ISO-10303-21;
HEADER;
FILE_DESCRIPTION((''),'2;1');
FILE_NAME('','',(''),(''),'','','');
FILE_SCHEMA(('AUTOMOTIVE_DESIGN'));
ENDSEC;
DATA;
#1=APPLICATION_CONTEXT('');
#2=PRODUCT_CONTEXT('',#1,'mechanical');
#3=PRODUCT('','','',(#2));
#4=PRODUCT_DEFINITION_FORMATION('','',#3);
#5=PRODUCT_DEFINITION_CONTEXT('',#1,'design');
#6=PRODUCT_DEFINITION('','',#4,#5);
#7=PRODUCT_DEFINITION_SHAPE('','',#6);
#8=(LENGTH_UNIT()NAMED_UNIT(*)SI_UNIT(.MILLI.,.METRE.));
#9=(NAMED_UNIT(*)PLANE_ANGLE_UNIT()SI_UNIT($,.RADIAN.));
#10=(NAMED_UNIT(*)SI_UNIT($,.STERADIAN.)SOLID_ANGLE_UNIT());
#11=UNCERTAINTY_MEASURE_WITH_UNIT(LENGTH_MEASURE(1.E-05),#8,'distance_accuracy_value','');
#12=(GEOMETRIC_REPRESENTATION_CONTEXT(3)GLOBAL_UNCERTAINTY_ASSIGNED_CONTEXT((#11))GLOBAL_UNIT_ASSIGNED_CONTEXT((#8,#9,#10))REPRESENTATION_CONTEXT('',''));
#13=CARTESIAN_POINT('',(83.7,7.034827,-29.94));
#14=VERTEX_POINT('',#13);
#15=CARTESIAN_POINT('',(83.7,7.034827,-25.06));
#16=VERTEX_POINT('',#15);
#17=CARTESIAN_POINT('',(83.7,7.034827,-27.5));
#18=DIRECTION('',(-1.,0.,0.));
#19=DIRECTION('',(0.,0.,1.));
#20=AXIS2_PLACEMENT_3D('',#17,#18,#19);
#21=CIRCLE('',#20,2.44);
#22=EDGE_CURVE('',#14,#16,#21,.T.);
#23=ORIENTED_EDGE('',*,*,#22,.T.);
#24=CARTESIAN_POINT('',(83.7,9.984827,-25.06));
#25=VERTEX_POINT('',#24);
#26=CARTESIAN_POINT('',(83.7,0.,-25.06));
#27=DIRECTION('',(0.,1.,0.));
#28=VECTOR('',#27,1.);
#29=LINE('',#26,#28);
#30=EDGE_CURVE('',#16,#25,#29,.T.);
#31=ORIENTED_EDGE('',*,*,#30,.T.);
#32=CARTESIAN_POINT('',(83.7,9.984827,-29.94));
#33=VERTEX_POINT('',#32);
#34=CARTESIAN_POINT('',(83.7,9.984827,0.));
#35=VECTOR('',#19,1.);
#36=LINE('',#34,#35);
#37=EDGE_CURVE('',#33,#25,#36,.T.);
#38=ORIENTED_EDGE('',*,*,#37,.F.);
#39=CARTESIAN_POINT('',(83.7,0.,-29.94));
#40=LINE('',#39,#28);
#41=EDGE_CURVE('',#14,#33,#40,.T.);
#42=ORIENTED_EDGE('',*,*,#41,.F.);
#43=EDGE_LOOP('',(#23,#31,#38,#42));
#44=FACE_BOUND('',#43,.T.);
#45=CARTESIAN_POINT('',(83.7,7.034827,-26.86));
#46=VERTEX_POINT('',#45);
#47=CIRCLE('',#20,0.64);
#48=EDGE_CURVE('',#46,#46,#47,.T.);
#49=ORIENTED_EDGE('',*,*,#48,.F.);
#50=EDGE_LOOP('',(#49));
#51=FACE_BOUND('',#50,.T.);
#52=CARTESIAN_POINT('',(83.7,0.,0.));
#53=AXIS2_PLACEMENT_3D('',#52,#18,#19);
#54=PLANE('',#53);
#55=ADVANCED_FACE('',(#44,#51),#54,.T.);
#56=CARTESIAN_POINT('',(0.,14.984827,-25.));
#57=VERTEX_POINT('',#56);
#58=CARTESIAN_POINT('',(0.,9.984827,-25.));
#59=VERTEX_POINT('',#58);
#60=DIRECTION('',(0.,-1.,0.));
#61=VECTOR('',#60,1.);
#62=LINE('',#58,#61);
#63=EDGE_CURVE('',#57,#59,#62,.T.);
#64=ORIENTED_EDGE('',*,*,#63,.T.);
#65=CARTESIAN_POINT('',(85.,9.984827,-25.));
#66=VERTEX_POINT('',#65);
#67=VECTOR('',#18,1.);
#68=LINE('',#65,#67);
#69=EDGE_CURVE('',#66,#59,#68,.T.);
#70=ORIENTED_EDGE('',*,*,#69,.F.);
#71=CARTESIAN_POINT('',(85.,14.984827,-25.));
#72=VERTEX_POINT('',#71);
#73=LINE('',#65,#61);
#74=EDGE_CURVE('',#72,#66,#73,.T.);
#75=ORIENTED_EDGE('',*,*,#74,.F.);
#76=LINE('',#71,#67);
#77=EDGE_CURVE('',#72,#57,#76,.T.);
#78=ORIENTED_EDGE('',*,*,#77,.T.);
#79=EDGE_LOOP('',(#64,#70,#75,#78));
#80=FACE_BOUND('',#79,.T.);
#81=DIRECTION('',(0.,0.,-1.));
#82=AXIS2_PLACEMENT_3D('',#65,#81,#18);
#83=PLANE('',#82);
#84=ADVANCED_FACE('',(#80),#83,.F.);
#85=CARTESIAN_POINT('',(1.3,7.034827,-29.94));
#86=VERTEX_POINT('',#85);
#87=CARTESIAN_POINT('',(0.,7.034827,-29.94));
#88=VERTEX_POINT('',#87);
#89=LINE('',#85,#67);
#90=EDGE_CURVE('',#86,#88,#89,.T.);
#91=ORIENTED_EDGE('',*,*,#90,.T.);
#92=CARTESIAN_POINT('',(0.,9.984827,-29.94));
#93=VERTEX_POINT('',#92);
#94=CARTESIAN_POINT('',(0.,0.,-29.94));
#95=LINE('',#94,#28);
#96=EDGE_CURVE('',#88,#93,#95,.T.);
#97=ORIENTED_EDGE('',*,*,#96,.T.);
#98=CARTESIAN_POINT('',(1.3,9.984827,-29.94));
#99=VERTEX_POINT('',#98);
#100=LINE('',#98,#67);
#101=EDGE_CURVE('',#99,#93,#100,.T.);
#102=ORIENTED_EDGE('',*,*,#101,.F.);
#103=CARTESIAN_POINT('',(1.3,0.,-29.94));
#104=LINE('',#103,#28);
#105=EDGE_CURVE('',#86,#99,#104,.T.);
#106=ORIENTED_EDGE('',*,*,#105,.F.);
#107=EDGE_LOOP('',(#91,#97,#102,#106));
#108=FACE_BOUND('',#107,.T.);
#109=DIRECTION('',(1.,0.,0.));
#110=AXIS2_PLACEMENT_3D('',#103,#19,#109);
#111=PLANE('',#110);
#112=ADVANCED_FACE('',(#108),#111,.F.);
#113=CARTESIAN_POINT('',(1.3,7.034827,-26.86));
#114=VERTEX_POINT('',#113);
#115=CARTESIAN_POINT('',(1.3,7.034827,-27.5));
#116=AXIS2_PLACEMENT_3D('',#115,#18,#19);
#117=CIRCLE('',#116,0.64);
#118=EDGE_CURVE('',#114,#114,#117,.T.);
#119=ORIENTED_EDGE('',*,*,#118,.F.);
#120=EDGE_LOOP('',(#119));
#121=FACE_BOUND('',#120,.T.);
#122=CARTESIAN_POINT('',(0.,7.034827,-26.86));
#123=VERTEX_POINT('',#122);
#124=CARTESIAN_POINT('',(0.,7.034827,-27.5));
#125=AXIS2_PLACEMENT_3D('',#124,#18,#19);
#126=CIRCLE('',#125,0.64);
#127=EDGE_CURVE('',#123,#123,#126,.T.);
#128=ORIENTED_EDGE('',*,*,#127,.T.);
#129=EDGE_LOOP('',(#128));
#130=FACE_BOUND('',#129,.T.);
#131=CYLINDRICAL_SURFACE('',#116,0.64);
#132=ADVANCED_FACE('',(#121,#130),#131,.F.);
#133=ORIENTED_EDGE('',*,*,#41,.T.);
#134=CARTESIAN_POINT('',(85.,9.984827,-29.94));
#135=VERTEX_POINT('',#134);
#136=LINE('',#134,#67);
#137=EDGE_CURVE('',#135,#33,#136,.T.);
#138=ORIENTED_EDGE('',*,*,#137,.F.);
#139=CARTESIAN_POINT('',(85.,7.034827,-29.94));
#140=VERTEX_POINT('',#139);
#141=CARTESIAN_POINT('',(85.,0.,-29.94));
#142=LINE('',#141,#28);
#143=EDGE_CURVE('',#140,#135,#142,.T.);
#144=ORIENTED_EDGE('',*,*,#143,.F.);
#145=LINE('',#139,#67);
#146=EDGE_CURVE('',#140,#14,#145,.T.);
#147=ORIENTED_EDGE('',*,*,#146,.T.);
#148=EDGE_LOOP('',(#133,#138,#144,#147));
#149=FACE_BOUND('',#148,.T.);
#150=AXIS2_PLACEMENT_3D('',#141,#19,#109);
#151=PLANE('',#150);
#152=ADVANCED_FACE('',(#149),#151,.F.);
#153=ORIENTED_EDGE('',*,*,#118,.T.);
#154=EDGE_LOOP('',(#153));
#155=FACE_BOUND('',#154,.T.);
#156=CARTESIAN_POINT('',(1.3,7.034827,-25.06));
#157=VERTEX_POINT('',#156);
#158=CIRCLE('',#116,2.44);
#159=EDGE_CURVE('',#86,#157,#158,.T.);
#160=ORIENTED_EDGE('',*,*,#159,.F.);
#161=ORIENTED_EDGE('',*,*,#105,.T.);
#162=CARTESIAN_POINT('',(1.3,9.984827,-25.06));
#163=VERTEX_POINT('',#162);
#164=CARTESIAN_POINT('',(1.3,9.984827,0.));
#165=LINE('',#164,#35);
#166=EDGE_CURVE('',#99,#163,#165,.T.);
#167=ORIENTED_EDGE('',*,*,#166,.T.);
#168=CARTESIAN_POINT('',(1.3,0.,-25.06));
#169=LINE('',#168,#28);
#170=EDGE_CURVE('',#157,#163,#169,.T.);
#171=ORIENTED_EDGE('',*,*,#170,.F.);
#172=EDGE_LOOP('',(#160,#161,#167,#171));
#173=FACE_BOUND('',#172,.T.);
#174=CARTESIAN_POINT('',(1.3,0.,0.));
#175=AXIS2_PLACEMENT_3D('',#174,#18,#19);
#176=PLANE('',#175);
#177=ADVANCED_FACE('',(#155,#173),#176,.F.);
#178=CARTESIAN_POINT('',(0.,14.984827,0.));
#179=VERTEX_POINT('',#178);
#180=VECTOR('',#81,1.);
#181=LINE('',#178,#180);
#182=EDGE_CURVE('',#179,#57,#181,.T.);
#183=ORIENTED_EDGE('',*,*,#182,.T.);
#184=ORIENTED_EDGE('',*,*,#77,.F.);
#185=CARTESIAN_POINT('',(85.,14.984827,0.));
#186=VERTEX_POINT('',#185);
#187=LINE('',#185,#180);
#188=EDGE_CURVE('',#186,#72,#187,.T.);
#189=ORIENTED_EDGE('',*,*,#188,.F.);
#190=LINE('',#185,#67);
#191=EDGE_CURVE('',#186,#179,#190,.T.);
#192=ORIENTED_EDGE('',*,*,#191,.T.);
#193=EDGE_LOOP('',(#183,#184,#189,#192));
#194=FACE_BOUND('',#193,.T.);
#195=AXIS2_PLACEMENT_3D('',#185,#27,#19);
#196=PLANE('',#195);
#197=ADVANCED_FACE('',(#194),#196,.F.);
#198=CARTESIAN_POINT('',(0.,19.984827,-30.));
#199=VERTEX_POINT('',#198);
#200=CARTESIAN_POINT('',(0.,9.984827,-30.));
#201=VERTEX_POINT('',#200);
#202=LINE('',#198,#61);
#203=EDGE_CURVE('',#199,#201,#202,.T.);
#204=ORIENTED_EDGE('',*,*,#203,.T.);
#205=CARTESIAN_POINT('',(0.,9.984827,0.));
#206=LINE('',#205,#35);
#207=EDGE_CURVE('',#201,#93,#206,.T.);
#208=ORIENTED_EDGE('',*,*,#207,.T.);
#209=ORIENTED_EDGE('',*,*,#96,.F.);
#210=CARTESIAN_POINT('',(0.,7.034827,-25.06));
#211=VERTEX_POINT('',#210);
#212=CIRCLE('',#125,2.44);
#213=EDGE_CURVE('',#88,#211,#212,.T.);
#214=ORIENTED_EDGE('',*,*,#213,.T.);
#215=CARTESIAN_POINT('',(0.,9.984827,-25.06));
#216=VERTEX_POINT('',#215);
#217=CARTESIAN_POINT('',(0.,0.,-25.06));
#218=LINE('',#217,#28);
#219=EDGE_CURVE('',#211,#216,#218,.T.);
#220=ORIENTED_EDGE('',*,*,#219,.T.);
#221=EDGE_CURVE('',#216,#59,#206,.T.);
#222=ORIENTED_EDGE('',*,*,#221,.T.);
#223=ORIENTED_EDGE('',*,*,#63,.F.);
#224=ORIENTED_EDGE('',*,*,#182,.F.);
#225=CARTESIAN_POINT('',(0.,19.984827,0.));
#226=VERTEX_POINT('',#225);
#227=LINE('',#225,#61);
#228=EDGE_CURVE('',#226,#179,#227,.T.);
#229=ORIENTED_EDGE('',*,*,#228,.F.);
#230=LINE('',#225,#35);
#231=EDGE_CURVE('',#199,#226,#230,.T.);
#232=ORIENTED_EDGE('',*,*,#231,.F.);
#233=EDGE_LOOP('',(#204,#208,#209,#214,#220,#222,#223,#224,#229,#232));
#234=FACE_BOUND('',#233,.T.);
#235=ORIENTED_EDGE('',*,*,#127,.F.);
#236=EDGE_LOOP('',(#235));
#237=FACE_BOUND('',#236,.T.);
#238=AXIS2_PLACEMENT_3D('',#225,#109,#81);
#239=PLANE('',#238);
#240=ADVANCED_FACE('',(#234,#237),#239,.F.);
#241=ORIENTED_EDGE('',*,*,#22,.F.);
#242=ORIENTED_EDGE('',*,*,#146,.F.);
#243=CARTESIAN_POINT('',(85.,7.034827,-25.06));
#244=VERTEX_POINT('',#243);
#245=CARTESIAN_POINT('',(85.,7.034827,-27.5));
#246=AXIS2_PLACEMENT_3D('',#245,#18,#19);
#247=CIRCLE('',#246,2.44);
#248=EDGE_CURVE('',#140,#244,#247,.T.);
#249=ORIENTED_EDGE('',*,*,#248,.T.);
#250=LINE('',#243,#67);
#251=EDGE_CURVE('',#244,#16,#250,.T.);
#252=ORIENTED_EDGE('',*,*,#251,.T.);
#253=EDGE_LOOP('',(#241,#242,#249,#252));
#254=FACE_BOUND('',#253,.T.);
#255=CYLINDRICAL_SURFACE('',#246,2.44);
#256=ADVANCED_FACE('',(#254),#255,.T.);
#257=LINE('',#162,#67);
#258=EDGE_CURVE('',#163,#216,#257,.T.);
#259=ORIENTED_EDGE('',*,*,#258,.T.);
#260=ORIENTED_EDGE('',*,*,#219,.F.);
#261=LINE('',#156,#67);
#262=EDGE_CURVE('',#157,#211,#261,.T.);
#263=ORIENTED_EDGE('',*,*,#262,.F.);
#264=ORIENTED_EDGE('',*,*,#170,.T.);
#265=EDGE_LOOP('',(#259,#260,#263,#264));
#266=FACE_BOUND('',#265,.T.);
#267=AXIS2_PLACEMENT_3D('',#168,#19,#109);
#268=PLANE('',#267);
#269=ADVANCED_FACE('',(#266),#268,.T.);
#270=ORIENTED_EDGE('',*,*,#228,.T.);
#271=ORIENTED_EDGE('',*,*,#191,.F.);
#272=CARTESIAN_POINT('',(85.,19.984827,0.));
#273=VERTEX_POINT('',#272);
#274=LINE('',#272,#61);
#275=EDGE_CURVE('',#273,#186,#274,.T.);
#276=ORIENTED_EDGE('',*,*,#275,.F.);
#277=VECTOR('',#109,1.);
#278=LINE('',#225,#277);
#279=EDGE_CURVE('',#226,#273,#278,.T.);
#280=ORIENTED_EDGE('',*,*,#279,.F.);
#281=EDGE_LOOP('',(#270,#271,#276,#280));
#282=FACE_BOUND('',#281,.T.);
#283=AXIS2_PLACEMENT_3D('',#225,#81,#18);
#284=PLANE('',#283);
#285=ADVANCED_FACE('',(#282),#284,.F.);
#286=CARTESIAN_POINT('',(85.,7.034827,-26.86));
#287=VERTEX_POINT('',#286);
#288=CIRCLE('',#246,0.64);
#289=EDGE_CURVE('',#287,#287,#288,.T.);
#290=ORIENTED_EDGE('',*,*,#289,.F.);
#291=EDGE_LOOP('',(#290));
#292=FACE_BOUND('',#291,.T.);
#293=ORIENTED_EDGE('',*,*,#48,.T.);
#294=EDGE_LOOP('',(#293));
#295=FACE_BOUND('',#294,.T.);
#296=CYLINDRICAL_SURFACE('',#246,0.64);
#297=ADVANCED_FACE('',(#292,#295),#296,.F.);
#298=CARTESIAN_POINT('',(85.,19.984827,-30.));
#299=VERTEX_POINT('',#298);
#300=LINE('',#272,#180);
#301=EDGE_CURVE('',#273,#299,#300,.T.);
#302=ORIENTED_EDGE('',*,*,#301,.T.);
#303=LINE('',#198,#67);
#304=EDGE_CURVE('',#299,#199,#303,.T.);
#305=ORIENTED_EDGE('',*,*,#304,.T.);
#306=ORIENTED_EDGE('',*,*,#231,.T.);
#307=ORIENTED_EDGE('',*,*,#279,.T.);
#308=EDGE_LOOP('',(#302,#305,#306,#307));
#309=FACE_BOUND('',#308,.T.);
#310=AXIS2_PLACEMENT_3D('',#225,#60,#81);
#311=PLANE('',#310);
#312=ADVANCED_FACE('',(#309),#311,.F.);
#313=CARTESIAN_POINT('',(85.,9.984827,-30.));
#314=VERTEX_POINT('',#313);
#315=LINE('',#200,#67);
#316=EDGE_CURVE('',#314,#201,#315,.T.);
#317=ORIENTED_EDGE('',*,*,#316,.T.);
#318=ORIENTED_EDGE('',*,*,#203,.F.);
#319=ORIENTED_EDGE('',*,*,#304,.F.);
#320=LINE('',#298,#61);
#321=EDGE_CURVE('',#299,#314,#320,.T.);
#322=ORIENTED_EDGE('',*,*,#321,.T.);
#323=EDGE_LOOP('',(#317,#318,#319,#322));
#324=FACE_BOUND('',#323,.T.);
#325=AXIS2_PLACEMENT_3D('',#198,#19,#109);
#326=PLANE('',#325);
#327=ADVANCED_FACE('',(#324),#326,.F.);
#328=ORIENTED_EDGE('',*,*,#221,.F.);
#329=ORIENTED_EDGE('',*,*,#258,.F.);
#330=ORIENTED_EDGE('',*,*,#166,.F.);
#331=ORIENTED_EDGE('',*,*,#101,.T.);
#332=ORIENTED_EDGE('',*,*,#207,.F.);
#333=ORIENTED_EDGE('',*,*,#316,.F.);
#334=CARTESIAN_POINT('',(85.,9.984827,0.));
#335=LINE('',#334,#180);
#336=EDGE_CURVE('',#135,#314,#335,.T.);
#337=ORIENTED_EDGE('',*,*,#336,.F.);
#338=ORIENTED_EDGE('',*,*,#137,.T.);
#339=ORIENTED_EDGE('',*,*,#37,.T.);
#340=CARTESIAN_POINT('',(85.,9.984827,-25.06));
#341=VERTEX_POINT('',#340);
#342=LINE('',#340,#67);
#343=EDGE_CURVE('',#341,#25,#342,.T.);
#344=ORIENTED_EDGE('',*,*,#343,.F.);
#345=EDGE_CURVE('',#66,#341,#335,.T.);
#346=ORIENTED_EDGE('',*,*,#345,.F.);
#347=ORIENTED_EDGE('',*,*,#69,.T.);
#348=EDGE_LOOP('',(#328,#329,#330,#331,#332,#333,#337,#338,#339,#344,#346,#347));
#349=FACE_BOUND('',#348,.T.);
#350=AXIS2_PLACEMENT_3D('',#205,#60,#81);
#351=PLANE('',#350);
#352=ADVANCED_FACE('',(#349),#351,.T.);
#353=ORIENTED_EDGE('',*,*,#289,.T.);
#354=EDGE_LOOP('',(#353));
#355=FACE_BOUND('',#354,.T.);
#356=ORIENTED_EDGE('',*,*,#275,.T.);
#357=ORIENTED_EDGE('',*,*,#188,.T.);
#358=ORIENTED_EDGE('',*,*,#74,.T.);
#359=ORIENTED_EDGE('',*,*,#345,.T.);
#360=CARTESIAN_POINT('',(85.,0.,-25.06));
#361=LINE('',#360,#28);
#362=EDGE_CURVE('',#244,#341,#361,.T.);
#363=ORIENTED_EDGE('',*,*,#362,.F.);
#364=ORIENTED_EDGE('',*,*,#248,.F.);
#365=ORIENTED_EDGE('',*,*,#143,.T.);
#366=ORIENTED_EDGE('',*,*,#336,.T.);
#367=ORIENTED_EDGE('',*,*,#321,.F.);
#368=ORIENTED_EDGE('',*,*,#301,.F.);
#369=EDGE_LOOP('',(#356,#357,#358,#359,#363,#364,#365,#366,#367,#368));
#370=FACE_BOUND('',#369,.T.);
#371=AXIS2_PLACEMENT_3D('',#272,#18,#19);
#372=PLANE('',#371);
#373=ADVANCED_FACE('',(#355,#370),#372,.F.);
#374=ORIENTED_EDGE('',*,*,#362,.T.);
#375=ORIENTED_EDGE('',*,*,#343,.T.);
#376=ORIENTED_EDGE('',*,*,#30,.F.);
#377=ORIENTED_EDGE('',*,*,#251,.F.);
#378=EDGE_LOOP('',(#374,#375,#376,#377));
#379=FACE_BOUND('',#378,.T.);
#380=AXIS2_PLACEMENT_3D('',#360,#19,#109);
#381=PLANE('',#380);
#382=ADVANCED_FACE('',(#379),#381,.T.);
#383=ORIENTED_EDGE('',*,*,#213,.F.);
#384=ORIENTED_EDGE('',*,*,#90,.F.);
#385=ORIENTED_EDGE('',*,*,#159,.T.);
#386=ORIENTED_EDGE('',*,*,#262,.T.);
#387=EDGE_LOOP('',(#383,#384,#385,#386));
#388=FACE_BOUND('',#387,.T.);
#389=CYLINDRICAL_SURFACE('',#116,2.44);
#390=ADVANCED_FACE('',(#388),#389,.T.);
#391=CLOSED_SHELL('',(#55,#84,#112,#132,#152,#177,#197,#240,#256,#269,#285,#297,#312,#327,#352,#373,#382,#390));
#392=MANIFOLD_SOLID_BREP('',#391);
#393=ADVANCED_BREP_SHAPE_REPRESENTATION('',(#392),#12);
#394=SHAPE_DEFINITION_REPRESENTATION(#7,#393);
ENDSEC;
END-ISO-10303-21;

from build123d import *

# Parameters (mm, degrees)
SKETCH1_W             = 85
SKETCH1_H             = 30
TOP_SURFACE_DEPTH     = 10
SKETCH6_W             = 25
SKETCH6_H             = 5
TOP_SURFACE_CUT_DEPTH = 91.691785736
SKETCH8_R             = 0.64
BOSS_EXTRUDE2_DEPTH   = 1.3
LPATTERN2_COUNT       = 2
LPATTERN2_PITCH       = 83.7


with BuildPart() as part:
    # Sketch1 → Top surface (new body)
    with BuildSketch(Plane(origin=(0, 0, 0), x_dir=(1, 0, 0), z_dir=(0, 1, 0))):
        with Locations((42.5, 15)):
            Rectangle(SKETCH1_W, SKETCH1_H)
    extrude(amount=TOP_SURFACE_DEPTH)

    # Sketch6 → Top surface cut (cut, through all)
    with BuildSketch(Plane.ZY):
        with Locations((-12.5, 2.5)):
            Rectangle(SKETCH6_W, SKETCH6_H)
    extrude(amount=-TOP_SURFACE_CUT_DEPTH, mode=Mode.SUBTRACT)


with BuildPart() as part_1:
    # Body-Move/Copy1: moved
    add(part.part.moved(Location((0, 9.984827234, 0))))

    # Sketch8 → Boss-Extrude2 (add)
    with BuildSketch(Plane.ZY):
        with BuildLine():
            Line((-25.06, 9.984827234), (-29.94, 9.984827234))
            Line((-29.94, 9.984827234), (-29.94, 7.034827234))
            ThreePointArc((-29.94, 7.034827234), (-27.5, 4.594827234), (-25.06, 7.034827234))
            Line((-25.06, 7.034827234), (-25.06, 9.984827234))
        make_face()
        with Locations((-27.5, 7.034827234)):
            Circle(SKETCH8_R, mode=Mode.SUBTRACT)
    boss_extrude2 = extrude(amount=-BOSS_EXTRUDE2_DEPTH)

    # LPattern2: Boss-Extrude2 ×2
    with Locations(*[(i * LPATTERN2_PITCH, 0, 0) for i in range(1, LPATTERN2_COUNT)]):
        add(boss_extrude2)


solid = part_1.part
